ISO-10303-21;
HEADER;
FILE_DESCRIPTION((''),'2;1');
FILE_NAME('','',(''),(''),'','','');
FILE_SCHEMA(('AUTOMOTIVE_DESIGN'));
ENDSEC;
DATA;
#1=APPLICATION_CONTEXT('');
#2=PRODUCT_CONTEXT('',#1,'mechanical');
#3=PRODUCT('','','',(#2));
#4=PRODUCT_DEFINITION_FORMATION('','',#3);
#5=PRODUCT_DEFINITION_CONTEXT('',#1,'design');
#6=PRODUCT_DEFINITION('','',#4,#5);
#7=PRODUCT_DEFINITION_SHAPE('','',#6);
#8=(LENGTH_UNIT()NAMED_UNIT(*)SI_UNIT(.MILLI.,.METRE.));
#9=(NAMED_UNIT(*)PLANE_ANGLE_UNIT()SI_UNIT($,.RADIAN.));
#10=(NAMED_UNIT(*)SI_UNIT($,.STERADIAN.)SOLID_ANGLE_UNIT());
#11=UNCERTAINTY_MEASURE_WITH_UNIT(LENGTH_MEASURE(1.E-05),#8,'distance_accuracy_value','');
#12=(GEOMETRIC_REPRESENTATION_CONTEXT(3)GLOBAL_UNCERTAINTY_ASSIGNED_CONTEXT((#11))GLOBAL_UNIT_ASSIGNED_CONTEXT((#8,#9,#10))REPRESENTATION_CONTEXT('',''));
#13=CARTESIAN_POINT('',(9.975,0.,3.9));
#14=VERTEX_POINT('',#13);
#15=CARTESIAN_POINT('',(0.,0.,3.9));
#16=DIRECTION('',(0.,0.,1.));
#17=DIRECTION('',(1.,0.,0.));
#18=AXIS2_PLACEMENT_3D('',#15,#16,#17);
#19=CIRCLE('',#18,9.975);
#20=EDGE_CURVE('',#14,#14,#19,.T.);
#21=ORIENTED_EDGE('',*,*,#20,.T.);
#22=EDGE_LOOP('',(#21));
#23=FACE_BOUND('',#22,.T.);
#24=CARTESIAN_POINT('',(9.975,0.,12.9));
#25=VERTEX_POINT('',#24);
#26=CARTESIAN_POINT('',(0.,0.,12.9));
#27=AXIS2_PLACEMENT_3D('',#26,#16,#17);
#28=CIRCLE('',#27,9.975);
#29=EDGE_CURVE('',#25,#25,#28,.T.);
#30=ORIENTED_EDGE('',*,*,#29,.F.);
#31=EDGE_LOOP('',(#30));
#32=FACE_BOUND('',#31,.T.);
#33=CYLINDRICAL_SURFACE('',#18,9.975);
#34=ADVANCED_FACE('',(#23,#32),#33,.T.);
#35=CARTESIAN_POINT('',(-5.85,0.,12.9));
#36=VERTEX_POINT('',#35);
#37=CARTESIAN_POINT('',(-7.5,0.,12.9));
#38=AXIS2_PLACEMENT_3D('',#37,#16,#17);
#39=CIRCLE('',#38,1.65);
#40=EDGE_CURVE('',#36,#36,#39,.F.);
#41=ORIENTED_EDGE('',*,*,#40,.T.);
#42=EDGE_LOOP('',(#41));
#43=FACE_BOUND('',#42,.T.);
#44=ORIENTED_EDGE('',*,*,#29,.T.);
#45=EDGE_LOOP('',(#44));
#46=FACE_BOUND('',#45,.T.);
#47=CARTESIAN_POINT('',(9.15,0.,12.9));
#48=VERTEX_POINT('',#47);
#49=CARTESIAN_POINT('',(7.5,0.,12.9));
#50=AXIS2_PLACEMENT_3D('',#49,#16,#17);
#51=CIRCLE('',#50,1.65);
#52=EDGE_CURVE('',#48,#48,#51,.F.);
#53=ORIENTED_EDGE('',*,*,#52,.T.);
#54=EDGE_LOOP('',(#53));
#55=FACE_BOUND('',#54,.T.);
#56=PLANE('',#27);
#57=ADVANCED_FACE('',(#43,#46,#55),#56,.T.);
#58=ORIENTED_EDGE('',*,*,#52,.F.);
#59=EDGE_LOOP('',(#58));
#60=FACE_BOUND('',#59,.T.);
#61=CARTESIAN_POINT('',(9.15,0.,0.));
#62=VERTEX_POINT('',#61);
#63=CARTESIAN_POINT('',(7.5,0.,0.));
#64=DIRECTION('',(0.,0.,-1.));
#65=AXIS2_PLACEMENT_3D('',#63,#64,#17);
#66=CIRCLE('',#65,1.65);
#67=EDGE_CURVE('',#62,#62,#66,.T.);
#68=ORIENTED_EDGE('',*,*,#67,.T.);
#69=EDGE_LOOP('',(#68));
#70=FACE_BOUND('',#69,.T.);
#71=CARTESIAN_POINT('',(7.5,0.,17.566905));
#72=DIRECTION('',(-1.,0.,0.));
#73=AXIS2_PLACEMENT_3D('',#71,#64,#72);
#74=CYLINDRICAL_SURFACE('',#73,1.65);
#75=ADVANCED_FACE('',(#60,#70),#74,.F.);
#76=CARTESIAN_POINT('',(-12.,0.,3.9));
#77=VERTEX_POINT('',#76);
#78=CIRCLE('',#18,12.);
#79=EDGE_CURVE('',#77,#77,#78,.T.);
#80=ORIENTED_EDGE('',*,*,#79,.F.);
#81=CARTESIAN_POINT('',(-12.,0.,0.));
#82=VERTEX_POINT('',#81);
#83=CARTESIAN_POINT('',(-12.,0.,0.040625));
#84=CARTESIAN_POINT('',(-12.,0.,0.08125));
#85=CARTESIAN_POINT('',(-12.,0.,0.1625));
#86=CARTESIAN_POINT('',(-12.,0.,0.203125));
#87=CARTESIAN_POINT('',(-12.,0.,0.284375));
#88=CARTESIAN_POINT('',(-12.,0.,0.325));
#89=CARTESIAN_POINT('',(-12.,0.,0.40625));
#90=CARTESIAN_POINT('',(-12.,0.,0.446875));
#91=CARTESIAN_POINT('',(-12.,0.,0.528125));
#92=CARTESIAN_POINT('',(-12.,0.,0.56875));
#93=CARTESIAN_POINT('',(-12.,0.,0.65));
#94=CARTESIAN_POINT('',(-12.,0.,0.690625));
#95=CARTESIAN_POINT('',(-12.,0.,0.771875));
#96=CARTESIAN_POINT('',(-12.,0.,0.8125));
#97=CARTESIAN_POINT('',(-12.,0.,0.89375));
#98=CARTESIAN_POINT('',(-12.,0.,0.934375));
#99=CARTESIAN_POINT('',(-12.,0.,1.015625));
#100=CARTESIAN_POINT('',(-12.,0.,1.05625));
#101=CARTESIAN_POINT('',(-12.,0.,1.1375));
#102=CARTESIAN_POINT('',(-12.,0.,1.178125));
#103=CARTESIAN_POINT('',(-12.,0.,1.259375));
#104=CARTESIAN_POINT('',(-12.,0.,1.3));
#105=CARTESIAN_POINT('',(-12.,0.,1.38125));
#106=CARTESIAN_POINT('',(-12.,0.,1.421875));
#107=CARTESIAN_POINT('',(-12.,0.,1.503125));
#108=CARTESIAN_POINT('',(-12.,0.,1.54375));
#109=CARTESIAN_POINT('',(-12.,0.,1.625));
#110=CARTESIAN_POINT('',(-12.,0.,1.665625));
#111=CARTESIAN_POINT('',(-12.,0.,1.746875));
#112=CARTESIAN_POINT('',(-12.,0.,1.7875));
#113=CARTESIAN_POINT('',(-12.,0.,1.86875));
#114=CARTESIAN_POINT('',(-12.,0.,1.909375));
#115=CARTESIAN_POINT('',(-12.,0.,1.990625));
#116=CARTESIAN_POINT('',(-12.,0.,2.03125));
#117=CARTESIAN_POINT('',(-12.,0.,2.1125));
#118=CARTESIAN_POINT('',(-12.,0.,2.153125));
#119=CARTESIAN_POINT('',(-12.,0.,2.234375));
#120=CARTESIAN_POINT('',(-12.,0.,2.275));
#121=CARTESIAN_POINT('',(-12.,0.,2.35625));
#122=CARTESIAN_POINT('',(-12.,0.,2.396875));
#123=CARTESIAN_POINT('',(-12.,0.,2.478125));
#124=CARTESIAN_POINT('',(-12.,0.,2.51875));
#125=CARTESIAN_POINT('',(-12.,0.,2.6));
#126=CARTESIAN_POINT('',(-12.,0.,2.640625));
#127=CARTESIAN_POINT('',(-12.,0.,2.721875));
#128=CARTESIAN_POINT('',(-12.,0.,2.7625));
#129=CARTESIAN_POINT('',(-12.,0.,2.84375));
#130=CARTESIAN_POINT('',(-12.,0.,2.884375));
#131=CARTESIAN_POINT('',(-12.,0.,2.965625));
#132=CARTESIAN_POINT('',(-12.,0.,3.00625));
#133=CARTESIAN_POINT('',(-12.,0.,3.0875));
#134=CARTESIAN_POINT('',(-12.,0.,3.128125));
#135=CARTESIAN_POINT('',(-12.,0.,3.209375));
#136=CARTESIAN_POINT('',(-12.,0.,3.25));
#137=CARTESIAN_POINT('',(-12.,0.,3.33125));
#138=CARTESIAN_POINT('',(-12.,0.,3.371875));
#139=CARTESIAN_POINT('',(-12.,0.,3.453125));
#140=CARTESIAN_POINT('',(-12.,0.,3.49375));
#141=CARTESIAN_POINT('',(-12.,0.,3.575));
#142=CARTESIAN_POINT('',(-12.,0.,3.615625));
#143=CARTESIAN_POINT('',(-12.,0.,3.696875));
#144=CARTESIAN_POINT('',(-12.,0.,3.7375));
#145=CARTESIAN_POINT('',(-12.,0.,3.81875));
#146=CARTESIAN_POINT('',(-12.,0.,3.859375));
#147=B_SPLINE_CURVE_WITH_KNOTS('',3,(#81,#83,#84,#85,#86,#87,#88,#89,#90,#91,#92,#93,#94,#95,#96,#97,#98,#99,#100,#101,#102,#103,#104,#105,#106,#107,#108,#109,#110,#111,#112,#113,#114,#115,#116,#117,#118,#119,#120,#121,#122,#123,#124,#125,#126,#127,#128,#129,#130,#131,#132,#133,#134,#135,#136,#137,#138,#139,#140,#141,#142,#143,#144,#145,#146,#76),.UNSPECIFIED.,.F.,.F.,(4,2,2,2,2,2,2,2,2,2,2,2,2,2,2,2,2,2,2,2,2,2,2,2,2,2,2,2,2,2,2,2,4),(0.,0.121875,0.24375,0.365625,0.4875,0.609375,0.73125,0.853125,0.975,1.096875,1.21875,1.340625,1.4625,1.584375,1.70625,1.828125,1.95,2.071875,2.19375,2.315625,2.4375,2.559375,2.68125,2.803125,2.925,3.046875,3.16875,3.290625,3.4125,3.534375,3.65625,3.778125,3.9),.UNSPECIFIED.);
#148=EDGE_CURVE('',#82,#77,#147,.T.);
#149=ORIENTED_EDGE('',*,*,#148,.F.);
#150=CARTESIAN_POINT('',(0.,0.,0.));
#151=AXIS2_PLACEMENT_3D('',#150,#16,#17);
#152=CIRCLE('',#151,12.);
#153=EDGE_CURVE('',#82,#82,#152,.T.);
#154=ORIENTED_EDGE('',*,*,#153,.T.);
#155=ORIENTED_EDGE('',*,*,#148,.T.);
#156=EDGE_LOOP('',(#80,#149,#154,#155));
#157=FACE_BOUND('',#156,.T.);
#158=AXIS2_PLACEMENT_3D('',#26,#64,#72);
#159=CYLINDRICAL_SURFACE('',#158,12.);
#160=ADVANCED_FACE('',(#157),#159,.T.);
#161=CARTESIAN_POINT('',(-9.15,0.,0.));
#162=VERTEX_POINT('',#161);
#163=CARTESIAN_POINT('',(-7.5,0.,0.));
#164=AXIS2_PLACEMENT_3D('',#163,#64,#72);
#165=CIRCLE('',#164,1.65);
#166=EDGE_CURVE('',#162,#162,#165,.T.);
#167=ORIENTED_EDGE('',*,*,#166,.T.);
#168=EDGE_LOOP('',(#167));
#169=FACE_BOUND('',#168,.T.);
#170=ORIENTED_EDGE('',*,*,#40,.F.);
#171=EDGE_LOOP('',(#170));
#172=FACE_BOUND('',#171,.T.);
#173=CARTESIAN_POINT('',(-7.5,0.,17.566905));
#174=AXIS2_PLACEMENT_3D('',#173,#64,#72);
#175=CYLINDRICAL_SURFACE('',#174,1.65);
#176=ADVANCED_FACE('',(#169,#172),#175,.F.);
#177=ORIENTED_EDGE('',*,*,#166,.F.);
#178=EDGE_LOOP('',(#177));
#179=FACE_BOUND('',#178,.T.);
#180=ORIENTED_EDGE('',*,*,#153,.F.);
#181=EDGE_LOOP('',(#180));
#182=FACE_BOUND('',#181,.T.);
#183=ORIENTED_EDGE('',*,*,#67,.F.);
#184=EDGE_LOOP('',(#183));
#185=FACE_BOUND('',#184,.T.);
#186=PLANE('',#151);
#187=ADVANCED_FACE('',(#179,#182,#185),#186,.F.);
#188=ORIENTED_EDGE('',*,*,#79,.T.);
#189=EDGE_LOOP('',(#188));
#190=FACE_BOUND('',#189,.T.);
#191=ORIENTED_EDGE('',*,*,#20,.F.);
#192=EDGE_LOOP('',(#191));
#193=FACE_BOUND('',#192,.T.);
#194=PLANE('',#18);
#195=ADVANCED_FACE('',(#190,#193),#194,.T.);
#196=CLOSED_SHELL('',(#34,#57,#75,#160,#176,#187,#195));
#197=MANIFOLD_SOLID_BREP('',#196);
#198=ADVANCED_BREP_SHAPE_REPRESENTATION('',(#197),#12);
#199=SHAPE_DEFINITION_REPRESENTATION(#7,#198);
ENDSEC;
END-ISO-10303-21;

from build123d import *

# Parameters (mm, degrees)
SKETCH_1_R          = 12
EXTRUDE_1_DEPTH     = 12.9
CUT_EXTRUDE_START   = -9
SKETCH_2_R          = 12
SKETCH_2_R_2        = 9.975
CUT_EXTRUDE_1_DEPTH = 9
SKETCH_3_R          = 1.65
CUT_EXTRUDE_2_DEPTH = 12.9


with BuildPart() as part:
    # ｽｹｯﾁ1 → ﾎﾞｽ - 押し出し1 (new body)
    with BuildSketch(Plane.XY):
        with Locations(Location((0, 0, 0), (0, 0, 180))):
            Circle(SKETCH_1_R)
    extrude(amount=EXTRUDE_1_DEPTH)

    # ｽｹｯﾁ2 → ｶｯﾄ - 押し出し1 (cut)
    with BuildSketch(Plane.XY.offset(12.9).offset(CUT_EXTRUDE_START)):
        with Locations(Location((0, 0, 0), (0, 0, 180))):
            Circle(SKETCH_2_R)
        Circle(SKETCH_2_R_2, mode=Mode.SUBTRACT)
    extrude(amount=CUT_EXTRUDE_1_DEPTH, mode=Mode.SUBTRACT)

    # ｽｹｯﾁ3 → ｶｯﾄ - 押し出し2 (cut)
    with BuildSketch(Plane(origin=(0, 0, 0), x_dir=(-1, 0, 0), z_dir=(0, 0, -1))):
        with Locations((7.5, 0)):
            Circle(SKETCH_3_R)
        with Locations(Location((-7.5, 0, 0), (0, 0, 180))):
            Circle(SKETCH_3_R)
    extrude(amount=-CUT_EXTRUDE_2_DEPTH, mode=Mode.SUBTRACT)


solid = part.part
